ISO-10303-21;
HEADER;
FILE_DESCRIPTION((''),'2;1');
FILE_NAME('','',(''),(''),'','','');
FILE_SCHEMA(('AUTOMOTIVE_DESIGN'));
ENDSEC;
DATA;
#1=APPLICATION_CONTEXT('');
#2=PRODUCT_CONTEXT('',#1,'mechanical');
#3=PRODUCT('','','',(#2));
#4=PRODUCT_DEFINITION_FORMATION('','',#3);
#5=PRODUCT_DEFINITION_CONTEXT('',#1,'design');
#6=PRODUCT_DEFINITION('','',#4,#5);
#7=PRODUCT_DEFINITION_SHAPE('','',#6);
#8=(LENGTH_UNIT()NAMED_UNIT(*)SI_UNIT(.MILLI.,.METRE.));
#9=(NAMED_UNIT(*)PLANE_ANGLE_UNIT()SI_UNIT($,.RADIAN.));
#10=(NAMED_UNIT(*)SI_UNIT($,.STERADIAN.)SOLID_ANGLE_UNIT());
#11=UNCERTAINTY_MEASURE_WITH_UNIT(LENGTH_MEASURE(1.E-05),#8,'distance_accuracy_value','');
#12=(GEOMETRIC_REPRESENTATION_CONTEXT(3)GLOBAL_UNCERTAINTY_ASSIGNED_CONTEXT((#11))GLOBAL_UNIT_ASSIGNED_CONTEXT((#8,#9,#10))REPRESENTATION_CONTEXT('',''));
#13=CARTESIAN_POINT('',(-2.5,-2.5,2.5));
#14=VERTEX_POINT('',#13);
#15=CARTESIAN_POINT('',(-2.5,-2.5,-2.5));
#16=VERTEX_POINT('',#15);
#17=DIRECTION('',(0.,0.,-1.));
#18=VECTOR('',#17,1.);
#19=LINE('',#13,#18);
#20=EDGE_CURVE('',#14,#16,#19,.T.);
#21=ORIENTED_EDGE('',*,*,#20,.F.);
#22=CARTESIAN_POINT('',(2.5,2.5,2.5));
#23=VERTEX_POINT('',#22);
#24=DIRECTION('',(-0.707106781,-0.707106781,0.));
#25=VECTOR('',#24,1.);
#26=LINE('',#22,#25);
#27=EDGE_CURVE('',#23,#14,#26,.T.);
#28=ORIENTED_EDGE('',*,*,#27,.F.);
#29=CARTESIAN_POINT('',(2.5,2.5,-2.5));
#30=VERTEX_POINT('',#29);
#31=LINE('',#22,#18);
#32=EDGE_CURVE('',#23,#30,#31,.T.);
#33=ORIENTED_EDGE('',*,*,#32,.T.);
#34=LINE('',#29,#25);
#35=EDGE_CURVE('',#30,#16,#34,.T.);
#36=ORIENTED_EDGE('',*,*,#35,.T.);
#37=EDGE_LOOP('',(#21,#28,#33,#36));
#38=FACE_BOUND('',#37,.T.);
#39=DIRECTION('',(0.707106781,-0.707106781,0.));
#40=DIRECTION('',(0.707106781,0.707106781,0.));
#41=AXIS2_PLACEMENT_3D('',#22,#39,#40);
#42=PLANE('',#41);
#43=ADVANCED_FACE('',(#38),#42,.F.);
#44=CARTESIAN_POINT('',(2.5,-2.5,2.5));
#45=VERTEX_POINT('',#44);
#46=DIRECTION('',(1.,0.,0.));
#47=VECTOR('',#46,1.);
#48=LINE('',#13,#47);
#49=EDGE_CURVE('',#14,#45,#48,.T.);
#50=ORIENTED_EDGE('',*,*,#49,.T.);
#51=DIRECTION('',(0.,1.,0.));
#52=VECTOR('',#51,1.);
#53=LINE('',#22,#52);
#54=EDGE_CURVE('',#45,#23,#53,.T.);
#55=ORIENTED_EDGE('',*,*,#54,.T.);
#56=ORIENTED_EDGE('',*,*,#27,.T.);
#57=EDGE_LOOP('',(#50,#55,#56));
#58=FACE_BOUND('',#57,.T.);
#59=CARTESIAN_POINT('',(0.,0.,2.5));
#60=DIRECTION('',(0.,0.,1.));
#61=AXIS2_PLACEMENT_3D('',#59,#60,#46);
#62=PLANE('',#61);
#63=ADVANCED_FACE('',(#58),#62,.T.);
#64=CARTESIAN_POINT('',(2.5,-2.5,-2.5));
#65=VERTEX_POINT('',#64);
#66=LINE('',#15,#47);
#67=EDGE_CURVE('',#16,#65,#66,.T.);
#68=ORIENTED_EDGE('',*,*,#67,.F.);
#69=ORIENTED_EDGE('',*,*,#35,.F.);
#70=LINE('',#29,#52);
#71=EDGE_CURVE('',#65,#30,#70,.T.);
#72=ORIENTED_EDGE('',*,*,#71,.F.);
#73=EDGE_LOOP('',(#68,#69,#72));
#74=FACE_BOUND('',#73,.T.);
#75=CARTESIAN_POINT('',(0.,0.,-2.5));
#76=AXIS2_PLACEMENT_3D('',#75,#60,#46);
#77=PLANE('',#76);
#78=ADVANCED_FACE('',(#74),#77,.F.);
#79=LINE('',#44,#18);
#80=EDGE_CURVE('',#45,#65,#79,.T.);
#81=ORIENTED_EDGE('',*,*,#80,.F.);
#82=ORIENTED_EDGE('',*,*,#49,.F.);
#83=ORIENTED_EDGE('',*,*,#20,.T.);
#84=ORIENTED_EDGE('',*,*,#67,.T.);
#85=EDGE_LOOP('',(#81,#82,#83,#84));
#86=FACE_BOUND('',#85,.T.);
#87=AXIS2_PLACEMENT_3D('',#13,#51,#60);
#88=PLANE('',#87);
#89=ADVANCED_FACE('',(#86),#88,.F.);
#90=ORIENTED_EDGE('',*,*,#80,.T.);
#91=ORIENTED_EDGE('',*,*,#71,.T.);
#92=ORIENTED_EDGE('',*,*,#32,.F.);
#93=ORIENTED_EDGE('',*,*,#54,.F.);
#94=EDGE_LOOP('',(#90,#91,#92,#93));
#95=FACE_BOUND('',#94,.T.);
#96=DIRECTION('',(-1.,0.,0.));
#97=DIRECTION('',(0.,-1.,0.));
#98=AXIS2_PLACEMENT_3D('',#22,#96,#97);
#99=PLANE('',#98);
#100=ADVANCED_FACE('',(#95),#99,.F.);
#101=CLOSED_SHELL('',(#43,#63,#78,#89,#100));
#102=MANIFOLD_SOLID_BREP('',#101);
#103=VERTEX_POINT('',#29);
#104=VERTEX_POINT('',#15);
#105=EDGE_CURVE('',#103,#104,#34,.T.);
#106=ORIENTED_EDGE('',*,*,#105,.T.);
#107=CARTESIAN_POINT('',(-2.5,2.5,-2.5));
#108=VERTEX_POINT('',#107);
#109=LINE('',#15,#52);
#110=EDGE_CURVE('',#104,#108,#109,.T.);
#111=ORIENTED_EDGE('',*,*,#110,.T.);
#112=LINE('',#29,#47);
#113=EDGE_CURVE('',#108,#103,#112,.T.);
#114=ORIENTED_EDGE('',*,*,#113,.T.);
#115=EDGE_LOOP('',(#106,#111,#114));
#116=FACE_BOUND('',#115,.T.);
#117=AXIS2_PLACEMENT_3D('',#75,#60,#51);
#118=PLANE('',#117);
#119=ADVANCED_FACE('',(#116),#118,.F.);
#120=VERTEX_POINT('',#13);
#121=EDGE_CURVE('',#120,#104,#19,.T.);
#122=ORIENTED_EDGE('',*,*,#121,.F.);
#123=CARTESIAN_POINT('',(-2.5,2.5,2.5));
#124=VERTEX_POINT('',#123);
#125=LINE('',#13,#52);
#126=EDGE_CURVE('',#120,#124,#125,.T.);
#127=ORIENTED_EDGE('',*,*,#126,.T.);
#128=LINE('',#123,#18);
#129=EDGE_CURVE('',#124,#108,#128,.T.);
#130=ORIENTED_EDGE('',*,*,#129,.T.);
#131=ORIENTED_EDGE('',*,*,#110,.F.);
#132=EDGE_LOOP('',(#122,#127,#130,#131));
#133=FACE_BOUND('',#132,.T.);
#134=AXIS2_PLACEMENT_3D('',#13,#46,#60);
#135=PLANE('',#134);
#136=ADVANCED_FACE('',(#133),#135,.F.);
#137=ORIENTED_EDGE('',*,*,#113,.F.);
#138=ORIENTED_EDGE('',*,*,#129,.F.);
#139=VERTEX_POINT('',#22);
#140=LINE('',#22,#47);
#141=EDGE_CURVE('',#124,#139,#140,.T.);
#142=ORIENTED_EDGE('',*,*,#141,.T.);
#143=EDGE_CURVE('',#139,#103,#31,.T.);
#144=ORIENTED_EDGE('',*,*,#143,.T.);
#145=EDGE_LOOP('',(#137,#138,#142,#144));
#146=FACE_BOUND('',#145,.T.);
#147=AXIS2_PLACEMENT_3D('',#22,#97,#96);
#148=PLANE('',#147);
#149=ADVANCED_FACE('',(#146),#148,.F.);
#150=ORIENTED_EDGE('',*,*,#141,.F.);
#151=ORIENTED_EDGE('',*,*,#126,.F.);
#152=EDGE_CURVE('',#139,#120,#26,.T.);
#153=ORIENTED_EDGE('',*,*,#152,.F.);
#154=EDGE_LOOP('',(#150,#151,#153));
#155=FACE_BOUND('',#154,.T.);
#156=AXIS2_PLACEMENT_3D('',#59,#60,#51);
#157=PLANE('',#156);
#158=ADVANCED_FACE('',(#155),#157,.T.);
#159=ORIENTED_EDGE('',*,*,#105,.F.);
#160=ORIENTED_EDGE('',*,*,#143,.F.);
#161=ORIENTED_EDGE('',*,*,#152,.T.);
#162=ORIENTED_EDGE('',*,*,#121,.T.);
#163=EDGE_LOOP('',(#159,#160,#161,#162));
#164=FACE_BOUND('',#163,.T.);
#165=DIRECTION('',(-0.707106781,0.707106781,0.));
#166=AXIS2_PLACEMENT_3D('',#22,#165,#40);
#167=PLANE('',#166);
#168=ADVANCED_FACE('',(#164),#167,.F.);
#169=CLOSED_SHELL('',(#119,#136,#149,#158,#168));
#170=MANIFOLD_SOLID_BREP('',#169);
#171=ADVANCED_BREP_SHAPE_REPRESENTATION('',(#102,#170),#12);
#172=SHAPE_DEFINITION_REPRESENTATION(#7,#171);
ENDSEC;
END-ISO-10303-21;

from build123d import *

# Parameters (mm, degrees)
EXTRUDE_1_DEPTH = 2.5


with BuildPart() as part:
    # 草图1 → 凸台-拉伸1 (new body, symmetric)
    with BuildSketch(Plane.XY):
        Polygon((-2.5, -2.5), (2.5, -2.5), (2.5, 2.5), align=None)
    extrude(amount=EXTRUDE_1_DEPTH, both=True)


with BuildPart() as body_2:
    # 镜向2: mirrored copy
    add(part.part.mirror(Plane(origin=(2.5, 2.5, 2.5), x_dir=(0, 0, 1), z_dir=(0.707106781, -0.707106781, 0))))


solid = Compound([part.part, body_2.part])
